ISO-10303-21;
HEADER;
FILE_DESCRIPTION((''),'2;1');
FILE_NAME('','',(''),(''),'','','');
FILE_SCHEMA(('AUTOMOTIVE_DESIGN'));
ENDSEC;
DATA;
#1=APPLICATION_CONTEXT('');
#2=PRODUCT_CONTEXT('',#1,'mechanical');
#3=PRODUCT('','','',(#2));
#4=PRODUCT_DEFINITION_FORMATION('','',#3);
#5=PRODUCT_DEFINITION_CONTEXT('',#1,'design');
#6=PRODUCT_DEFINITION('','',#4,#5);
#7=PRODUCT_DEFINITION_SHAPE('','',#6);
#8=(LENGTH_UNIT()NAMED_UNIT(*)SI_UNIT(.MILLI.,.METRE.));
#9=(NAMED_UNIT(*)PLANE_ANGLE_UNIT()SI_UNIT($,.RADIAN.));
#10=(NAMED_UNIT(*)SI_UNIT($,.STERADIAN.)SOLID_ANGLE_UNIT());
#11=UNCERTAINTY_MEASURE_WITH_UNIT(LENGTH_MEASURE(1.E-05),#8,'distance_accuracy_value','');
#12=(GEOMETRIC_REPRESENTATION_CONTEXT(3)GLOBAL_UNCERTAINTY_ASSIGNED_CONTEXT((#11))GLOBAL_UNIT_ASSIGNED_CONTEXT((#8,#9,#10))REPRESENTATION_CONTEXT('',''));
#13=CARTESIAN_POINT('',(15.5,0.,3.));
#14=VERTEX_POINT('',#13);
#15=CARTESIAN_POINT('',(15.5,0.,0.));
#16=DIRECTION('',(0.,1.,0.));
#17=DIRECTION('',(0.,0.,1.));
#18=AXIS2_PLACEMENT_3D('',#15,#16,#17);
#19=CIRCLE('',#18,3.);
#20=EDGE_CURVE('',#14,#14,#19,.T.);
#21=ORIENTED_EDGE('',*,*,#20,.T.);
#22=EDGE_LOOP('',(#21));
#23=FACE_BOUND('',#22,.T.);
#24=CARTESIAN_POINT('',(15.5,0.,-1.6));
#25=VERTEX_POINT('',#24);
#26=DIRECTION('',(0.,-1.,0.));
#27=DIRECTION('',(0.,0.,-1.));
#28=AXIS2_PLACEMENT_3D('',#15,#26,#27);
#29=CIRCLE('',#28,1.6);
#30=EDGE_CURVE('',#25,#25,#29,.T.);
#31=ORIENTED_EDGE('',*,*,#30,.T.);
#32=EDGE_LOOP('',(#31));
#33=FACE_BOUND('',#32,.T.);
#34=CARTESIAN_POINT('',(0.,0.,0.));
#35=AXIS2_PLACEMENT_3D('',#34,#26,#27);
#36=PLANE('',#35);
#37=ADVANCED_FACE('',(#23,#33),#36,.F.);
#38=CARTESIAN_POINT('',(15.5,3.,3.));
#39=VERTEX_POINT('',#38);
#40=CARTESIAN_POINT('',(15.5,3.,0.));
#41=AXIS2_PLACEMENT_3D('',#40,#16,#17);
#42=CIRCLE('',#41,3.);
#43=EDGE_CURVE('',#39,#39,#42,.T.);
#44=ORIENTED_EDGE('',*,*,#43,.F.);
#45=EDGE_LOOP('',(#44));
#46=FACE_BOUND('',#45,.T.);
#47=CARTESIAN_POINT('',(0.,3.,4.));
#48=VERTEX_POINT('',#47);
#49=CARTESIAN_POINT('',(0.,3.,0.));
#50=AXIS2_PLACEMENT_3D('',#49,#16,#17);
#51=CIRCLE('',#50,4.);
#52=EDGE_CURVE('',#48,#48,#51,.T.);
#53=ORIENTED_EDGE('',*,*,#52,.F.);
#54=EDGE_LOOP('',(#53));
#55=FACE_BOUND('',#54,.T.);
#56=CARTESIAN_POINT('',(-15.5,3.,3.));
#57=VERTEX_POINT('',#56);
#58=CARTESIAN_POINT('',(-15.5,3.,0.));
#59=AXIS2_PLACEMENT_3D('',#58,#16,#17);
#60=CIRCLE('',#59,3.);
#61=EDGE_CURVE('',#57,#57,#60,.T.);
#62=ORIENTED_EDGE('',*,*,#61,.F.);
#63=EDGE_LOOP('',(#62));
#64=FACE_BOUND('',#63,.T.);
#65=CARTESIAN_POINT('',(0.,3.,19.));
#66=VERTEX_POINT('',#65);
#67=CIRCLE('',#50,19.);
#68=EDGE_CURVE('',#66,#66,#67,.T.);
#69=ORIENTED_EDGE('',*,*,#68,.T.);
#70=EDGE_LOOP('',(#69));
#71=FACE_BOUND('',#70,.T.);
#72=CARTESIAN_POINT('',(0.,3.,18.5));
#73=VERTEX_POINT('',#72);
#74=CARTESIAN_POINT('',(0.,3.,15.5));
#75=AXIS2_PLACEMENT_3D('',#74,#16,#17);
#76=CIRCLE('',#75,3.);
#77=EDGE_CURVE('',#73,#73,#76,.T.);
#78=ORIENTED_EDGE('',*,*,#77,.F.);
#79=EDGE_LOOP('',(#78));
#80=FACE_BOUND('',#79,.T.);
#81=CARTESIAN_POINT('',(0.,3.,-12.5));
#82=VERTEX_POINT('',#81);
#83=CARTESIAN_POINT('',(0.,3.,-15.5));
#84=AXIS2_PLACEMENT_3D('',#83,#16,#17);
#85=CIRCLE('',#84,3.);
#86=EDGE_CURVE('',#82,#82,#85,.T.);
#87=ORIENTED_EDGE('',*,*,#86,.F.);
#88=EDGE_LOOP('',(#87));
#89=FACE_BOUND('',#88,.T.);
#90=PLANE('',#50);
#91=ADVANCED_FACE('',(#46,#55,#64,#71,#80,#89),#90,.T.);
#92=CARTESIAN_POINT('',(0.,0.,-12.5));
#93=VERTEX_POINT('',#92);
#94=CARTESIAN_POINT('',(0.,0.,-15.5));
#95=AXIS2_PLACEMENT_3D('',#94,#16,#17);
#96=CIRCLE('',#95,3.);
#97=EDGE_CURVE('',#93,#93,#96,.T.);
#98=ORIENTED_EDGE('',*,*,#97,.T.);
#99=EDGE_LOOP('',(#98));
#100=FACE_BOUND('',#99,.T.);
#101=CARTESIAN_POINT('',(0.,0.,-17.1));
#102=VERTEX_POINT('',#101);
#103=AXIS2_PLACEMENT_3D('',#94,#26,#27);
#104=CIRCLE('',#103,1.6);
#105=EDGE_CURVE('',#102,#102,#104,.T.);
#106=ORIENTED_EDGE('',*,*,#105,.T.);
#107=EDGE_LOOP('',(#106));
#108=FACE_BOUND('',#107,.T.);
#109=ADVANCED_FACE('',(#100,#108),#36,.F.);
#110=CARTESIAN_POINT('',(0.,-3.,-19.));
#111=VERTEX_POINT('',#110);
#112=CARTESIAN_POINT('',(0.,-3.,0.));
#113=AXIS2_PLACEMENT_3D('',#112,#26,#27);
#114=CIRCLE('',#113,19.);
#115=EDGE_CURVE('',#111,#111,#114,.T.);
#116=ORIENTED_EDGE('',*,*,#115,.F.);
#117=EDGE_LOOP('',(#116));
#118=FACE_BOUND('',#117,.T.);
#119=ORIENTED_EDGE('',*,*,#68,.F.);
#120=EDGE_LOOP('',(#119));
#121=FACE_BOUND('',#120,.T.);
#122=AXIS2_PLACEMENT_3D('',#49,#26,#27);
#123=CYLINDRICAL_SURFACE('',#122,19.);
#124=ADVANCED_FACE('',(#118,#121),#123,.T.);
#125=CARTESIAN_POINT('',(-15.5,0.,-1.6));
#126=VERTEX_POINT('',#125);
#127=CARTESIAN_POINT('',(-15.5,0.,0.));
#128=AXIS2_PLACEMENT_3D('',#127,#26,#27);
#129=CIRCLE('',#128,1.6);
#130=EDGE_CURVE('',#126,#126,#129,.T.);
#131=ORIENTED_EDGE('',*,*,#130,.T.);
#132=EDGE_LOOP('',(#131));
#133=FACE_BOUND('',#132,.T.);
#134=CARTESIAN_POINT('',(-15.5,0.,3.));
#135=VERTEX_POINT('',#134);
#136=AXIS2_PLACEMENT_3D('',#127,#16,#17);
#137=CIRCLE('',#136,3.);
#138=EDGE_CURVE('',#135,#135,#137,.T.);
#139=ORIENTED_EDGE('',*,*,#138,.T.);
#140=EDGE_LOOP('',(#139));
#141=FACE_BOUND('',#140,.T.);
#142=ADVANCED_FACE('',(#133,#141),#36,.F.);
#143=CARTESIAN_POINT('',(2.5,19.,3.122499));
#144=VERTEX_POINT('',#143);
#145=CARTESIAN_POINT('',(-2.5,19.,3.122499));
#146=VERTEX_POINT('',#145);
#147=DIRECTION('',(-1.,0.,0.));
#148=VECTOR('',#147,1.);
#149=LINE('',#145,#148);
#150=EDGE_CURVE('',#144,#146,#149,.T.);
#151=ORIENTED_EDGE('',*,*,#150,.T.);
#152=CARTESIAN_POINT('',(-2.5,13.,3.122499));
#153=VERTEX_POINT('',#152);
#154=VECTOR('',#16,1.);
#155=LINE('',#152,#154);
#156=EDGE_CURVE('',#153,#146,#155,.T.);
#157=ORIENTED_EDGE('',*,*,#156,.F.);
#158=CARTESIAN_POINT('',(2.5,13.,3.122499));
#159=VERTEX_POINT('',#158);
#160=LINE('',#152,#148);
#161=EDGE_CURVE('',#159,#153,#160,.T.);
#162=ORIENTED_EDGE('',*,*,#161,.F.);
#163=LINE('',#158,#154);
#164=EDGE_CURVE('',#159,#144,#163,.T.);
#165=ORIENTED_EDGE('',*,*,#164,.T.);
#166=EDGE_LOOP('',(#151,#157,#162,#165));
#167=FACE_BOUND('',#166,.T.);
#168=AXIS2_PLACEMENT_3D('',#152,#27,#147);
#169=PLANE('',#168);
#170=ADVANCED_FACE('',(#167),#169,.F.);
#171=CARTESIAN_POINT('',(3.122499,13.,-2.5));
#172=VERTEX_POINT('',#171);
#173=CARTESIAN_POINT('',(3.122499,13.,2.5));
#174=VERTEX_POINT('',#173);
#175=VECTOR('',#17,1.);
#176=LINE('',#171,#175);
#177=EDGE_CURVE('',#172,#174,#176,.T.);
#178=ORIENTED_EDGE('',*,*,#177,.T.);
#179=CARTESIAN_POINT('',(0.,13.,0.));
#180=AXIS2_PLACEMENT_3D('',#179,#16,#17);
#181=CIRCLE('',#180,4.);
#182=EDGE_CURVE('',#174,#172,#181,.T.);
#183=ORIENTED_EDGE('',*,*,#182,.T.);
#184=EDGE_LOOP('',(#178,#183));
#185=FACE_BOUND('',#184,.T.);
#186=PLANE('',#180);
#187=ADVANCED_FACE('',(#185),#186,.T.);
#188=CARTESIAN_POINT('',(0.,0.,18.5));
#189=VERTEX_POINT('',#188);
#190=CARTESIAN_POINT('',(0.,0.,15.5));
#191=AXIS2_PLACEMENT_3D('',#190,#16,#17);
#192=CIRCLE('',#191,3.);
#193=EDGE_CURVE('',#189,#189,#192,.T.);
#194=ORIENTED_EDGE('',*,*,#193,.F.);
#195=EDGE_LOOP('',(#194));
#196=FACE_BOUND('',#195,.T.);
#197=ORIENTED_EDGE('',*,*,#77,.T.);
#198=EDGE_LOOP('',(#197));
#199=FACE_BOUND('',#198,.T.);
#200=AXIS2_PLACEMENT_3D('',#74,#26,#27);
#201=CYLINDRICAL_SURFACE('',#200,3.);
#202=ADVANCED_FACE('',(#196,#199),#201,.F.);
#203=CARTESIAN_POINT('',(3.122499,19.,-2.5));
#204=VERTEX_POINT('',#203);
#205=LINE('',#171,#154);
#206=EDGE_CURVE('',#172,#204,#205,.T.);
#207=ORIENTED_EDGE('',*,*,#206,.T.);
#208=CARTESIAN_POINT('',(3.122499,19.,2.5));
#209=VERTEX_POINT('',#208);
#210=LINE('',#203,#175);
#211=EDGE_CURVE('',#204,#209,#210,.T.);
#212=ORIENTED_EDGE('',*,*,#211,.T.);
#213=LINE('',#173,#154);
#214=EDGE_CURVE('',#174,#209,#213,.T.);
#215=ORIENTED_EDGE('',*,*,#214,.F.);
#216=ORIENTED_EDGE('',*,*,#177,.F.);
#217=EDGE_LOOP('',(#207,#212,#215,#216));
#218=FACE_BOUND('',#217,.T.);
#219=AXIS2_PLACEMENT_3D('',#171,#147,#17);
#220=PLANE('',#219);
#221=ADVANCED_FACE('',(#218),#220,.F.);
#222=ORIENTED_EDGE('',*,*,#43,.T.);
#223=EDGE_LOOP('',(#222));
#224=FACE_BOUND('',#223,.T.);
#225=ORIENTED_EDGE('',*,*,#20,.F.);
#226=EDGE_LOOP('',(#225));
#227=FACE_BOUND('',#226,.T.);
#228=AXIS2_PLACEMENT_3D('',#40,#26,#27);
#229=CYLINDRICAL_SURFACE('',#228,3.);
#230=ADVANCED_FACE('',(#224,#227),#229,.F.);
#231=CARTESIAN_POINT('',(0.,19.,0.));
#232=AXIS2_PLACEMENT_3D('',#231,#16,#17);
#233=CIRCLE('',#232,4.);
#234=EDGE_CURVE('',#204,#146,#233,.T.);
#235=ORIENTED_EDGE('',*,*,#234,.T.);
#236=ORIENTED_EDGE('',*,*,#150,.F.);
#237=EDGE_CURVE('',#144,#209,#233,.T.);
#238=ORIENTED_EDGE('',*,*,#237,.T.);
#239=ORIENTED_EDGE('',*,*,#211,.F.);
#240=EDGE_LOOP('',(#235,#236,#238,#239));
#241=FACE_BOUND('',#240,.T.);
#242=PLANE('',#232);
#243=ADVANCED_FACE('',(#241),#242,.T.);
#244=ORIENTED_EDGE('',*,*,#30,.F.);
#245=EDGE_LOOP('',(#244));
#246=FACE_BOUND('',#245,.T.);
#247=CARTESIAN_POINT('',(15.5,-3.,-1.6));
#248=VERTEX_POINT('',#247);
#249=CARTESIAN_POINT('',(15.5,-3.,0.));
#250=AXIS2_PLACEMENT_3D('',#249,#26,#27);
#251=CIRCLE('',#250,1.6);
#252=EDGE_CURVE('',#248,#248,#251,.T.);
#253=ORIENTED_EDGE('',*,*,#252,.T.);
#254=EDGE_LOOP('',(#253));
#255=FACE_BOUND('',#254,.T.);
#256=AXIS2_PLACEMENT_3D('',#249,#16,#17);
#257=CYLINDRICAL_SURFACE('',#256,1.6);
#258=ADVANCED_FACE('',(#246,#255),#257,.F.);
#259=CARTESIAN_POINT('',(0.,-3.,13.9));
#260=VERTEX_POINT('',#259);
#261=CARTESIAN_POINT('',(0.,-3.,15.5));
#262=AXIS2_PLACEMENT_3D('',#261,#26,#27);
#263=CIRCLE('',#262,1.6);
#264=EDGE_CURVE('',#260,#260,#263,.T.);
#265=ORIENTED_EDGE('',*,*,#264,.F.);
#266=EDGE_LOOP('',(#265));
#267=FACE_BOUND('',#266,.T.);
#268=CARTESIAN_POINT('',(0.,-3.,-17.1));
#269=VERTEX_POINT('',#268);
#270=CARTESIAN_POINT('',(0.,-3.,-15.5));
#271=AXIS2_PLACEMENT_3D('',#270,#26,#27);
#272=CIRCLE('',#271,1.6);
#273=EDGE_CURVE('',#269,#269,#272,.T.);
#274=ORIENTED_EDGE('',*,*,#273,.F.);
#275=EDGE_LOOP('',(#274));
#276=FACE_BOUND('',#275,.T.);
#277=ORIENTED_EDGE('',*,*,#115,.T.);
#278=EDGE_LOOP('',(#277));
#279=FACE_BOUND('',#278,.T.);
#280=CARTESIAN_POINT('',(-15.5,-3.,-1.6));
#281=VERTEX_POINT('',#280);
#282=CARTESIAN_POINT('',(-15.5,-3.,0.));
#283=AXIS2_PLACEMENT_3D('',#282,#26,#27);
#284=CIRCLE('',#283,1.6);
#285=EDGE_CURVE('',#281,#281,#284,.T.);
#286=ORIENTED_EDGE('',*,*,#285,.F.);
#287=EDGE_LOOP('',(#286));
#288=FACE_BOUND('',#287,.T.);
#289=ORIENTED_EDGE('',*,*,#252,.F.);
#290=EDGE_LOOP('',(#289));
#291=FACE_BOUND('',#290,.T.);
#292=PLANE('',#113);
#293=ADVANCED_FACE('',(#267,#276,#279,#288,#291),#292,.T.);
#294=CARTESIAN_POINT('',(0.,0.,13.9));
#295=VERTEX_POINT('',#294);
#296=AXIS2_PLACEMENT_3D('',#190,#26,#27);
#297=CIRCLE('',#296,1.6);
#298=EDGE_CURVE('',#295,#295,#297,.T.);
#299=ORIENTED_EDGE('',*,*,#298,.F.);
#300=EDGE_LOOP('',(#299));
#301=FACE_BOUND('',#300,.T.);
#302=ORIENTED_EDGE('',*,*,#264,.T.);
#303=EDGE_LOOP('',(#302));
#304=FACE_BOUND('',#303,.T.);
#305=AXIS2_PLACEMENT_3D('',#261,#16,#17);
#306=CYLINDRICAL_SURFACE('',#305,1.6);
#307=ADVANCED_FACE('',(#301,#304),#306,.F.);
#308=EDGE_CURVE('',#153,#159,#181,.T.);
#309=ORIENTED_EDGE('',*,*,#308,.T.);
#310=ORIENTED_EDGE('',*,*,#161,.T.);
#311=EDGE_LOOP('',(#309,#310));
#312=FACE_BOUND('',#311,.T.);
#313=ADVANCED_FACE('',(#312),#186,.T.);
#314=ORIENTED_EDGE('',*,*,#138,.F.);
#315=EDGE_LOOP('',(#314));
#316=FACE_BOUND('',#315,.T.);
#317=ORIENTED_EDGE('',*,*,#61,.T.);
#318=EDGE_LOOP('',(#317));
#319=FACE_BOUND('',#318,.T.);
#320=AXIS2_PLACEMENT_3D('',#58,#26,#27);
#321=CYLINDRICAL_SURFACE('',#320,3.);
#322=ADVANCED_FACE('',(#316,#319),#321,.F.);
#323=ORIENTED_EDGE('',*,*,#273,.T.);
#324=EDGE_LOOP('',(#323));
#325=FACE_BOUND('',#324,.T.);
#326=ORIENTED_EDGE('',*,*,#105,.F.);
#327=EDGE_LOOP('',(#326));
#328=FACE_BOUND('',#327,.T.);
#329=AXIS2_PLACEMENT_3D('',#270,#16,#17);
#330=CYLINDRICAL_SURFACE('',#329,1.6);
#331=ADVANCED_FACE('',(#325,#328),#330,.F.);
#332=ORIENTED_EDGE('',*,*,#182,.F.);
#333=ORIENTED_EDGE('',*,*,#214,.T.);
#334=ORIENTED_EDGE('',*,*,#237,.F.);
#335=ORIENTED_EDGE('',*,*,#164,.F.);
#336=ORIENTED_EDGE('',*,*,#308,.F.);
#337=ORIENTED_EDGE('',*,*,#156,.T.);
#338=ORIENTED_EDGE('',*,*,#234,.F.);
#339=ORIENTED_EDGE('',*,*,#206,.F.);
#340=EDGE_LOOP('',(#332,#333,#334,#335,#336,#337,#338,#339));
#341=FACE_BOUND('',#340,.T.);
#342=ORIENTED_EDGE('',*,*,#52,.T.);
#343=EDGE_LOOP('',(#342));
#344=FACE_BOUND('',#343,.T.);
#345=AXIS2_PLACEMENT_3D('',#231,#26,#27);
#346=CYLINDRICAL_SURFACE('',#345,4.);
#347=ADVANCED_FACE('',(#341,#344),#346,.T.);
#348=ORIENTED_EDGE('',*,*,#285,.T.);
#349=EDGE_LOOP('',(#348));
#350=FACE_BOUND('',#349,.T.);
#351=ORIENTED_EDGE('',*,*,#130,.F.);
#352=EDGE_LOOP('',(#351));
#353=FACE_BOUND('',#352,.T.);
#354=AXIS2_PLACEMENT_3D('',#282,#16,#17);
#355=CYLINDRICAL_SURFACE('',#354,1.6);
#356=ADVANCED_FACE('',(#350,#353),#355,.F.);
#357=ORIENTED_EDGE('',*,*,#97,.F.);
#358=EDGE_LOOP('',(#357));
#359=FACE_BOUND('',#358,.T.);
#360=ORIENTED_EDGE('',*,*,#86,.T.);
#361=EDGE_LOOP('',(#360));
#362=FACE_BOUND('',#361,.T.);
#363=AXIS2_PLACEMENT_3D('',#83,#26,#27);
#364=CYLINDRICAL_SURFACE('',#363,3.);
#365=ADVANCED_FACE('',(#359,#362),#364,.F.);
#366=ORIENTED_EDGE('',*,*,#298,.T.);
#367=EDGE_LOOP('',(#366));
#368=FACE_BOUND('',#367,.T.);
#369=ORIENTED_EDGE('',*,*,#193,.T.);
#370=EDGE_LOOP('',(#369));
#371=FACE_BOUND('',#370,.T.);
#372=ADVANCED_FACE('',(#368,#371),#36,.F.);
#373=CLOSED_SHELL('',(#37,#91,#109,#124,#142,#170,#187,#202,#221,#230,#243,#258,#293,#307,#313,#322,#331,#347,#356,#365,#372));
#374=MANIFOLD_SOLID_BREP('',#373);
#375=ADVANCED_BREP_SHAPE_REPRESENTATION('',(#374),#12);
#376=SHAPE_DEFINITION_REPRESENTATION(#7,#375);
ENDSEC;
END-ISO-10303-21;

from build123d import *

# Parameters (mm, degrees)
SKETCH1_R           = 19
SKETCH1_R_2         = 3
BOSS_EXTRUDE1_DEPTH = 3
SKETCH2_R           = 4
BOSS_EXTRUDE2_DEPTH = 16
CUT_EXTRUDE1_START  = -6
CUT_EXTRUDE1_DEPTH  = 6
BOSS_EXTRUDE3_START = 3
SKETCH5_R           = 19
SKETCH5_R_2         = 1.6
BOSS_EXTRUDE3_DEPTH = 3


with BuildPart() as part:
    # Sketch1 → Boss-Extrude1 (new body)
    with BuildSketch(Plane(origin=(0, 0, 0), x_dir=(1, 0, 0), z_dir=(0, 1, 0))):
        with Locations(Location((0, 0, 0), (0, 0, 270))):
            Circle(SKETCH1_R)
        with Locations(Location((0, 15.5, 0), (0, 0, 270))):
            Circle(SKETCH1_R_2, mode=Mode.SUBTRACT)
        with Locations(Location((15.5, 0, 0), (0, 0, 270))):
            Circle(SKETCH1_R_2, mode=Mode.SUBTRACT)
        with Locations(Location((0, -15.5, 0), (0, 0, 270))):
            Circle(SKETCH1_R_2, mode=Mode.SUBTRACT)
        with Locations(Location((-15.5, 0, 0), (0, 0, 270))):
            Circle(SKETCH1_R_2, mode=Mode.SUBTRACT)
    extrude(amount=BOSS_EXTRUDE1_DEPTH)

    # Sketch2 → Boss-Extrude2 (add)
    with BuildSketch(Plane(origin=(0, 3, 0), x_dir=(1, 0, 0), z_dir=(0, 1, 0))):
        with Locations(Location((0, 0, 0), (0, 0, 270))):
            Circle(SKETCH2_R)
    extrude(amount=BOSS_EXTRUDE2_DEPTH)

    # Sketch4 → Cut-Extrude1 (cut)
    with BuildSketch(Plane(origin=(0, 19, 0), x_dir=(1, 0, 0), z_dir=(0, 1, 0)).offset(CUT_EXTRUDE1_START)):
        with BuildLine():
            Line((-2.5, -3.122498999), (2.5, -3.122498999))
            ThreePointArc((2.5, -3.122498999), (0, -4), (-2.5, -3.122498999))
        make_face()
        with BuildLine():
            Line((3.122498999, 2.5), (3.122498999, -2.5))
            ThreePointArc((3.122498999, -2.5), (4, 0), (3.122498999, 2.5))
        make_face()
    extrude(amount=CUT_EXTRUDE1_DEPTH, mode=Mode.SUBTRACT)

    # Sketch5 → Boss-Extrude3 (add)
    with BuildSketch(Plane.XZ.offset(BOSS_EXTRUDE3_START)):
        with Locations(Location((0, 0, 0), (0, 0, 270))):
            Circle(SKETCH5_R)
        with Locations(Location((0, 15.5, 0), (0, 0, 270))):
            Circle(SKETCH5_R_2, mode=Mode.SUBTRACT)
        with Locations(Location((-15.5, 0, 0), (0, 0, 270))):
            Circle(SKETCH5_R_2, mode=Mode.SUBTRACT)
        with Locations(Location((0, -15.5, 0), (0, 0, 270))):
            Circle(SKETCH5_R_2, mode=Mode.SUBTRACT)
        with Locations(Location((15.5, 0, 0), (0, 0, 270))):
            Circle(SKETCH5_R_2, mode=Mode.SUBTRACT)
    extrude(amount=-BOSS_EXTRUDE3_DEPTH)


solid = part.part
